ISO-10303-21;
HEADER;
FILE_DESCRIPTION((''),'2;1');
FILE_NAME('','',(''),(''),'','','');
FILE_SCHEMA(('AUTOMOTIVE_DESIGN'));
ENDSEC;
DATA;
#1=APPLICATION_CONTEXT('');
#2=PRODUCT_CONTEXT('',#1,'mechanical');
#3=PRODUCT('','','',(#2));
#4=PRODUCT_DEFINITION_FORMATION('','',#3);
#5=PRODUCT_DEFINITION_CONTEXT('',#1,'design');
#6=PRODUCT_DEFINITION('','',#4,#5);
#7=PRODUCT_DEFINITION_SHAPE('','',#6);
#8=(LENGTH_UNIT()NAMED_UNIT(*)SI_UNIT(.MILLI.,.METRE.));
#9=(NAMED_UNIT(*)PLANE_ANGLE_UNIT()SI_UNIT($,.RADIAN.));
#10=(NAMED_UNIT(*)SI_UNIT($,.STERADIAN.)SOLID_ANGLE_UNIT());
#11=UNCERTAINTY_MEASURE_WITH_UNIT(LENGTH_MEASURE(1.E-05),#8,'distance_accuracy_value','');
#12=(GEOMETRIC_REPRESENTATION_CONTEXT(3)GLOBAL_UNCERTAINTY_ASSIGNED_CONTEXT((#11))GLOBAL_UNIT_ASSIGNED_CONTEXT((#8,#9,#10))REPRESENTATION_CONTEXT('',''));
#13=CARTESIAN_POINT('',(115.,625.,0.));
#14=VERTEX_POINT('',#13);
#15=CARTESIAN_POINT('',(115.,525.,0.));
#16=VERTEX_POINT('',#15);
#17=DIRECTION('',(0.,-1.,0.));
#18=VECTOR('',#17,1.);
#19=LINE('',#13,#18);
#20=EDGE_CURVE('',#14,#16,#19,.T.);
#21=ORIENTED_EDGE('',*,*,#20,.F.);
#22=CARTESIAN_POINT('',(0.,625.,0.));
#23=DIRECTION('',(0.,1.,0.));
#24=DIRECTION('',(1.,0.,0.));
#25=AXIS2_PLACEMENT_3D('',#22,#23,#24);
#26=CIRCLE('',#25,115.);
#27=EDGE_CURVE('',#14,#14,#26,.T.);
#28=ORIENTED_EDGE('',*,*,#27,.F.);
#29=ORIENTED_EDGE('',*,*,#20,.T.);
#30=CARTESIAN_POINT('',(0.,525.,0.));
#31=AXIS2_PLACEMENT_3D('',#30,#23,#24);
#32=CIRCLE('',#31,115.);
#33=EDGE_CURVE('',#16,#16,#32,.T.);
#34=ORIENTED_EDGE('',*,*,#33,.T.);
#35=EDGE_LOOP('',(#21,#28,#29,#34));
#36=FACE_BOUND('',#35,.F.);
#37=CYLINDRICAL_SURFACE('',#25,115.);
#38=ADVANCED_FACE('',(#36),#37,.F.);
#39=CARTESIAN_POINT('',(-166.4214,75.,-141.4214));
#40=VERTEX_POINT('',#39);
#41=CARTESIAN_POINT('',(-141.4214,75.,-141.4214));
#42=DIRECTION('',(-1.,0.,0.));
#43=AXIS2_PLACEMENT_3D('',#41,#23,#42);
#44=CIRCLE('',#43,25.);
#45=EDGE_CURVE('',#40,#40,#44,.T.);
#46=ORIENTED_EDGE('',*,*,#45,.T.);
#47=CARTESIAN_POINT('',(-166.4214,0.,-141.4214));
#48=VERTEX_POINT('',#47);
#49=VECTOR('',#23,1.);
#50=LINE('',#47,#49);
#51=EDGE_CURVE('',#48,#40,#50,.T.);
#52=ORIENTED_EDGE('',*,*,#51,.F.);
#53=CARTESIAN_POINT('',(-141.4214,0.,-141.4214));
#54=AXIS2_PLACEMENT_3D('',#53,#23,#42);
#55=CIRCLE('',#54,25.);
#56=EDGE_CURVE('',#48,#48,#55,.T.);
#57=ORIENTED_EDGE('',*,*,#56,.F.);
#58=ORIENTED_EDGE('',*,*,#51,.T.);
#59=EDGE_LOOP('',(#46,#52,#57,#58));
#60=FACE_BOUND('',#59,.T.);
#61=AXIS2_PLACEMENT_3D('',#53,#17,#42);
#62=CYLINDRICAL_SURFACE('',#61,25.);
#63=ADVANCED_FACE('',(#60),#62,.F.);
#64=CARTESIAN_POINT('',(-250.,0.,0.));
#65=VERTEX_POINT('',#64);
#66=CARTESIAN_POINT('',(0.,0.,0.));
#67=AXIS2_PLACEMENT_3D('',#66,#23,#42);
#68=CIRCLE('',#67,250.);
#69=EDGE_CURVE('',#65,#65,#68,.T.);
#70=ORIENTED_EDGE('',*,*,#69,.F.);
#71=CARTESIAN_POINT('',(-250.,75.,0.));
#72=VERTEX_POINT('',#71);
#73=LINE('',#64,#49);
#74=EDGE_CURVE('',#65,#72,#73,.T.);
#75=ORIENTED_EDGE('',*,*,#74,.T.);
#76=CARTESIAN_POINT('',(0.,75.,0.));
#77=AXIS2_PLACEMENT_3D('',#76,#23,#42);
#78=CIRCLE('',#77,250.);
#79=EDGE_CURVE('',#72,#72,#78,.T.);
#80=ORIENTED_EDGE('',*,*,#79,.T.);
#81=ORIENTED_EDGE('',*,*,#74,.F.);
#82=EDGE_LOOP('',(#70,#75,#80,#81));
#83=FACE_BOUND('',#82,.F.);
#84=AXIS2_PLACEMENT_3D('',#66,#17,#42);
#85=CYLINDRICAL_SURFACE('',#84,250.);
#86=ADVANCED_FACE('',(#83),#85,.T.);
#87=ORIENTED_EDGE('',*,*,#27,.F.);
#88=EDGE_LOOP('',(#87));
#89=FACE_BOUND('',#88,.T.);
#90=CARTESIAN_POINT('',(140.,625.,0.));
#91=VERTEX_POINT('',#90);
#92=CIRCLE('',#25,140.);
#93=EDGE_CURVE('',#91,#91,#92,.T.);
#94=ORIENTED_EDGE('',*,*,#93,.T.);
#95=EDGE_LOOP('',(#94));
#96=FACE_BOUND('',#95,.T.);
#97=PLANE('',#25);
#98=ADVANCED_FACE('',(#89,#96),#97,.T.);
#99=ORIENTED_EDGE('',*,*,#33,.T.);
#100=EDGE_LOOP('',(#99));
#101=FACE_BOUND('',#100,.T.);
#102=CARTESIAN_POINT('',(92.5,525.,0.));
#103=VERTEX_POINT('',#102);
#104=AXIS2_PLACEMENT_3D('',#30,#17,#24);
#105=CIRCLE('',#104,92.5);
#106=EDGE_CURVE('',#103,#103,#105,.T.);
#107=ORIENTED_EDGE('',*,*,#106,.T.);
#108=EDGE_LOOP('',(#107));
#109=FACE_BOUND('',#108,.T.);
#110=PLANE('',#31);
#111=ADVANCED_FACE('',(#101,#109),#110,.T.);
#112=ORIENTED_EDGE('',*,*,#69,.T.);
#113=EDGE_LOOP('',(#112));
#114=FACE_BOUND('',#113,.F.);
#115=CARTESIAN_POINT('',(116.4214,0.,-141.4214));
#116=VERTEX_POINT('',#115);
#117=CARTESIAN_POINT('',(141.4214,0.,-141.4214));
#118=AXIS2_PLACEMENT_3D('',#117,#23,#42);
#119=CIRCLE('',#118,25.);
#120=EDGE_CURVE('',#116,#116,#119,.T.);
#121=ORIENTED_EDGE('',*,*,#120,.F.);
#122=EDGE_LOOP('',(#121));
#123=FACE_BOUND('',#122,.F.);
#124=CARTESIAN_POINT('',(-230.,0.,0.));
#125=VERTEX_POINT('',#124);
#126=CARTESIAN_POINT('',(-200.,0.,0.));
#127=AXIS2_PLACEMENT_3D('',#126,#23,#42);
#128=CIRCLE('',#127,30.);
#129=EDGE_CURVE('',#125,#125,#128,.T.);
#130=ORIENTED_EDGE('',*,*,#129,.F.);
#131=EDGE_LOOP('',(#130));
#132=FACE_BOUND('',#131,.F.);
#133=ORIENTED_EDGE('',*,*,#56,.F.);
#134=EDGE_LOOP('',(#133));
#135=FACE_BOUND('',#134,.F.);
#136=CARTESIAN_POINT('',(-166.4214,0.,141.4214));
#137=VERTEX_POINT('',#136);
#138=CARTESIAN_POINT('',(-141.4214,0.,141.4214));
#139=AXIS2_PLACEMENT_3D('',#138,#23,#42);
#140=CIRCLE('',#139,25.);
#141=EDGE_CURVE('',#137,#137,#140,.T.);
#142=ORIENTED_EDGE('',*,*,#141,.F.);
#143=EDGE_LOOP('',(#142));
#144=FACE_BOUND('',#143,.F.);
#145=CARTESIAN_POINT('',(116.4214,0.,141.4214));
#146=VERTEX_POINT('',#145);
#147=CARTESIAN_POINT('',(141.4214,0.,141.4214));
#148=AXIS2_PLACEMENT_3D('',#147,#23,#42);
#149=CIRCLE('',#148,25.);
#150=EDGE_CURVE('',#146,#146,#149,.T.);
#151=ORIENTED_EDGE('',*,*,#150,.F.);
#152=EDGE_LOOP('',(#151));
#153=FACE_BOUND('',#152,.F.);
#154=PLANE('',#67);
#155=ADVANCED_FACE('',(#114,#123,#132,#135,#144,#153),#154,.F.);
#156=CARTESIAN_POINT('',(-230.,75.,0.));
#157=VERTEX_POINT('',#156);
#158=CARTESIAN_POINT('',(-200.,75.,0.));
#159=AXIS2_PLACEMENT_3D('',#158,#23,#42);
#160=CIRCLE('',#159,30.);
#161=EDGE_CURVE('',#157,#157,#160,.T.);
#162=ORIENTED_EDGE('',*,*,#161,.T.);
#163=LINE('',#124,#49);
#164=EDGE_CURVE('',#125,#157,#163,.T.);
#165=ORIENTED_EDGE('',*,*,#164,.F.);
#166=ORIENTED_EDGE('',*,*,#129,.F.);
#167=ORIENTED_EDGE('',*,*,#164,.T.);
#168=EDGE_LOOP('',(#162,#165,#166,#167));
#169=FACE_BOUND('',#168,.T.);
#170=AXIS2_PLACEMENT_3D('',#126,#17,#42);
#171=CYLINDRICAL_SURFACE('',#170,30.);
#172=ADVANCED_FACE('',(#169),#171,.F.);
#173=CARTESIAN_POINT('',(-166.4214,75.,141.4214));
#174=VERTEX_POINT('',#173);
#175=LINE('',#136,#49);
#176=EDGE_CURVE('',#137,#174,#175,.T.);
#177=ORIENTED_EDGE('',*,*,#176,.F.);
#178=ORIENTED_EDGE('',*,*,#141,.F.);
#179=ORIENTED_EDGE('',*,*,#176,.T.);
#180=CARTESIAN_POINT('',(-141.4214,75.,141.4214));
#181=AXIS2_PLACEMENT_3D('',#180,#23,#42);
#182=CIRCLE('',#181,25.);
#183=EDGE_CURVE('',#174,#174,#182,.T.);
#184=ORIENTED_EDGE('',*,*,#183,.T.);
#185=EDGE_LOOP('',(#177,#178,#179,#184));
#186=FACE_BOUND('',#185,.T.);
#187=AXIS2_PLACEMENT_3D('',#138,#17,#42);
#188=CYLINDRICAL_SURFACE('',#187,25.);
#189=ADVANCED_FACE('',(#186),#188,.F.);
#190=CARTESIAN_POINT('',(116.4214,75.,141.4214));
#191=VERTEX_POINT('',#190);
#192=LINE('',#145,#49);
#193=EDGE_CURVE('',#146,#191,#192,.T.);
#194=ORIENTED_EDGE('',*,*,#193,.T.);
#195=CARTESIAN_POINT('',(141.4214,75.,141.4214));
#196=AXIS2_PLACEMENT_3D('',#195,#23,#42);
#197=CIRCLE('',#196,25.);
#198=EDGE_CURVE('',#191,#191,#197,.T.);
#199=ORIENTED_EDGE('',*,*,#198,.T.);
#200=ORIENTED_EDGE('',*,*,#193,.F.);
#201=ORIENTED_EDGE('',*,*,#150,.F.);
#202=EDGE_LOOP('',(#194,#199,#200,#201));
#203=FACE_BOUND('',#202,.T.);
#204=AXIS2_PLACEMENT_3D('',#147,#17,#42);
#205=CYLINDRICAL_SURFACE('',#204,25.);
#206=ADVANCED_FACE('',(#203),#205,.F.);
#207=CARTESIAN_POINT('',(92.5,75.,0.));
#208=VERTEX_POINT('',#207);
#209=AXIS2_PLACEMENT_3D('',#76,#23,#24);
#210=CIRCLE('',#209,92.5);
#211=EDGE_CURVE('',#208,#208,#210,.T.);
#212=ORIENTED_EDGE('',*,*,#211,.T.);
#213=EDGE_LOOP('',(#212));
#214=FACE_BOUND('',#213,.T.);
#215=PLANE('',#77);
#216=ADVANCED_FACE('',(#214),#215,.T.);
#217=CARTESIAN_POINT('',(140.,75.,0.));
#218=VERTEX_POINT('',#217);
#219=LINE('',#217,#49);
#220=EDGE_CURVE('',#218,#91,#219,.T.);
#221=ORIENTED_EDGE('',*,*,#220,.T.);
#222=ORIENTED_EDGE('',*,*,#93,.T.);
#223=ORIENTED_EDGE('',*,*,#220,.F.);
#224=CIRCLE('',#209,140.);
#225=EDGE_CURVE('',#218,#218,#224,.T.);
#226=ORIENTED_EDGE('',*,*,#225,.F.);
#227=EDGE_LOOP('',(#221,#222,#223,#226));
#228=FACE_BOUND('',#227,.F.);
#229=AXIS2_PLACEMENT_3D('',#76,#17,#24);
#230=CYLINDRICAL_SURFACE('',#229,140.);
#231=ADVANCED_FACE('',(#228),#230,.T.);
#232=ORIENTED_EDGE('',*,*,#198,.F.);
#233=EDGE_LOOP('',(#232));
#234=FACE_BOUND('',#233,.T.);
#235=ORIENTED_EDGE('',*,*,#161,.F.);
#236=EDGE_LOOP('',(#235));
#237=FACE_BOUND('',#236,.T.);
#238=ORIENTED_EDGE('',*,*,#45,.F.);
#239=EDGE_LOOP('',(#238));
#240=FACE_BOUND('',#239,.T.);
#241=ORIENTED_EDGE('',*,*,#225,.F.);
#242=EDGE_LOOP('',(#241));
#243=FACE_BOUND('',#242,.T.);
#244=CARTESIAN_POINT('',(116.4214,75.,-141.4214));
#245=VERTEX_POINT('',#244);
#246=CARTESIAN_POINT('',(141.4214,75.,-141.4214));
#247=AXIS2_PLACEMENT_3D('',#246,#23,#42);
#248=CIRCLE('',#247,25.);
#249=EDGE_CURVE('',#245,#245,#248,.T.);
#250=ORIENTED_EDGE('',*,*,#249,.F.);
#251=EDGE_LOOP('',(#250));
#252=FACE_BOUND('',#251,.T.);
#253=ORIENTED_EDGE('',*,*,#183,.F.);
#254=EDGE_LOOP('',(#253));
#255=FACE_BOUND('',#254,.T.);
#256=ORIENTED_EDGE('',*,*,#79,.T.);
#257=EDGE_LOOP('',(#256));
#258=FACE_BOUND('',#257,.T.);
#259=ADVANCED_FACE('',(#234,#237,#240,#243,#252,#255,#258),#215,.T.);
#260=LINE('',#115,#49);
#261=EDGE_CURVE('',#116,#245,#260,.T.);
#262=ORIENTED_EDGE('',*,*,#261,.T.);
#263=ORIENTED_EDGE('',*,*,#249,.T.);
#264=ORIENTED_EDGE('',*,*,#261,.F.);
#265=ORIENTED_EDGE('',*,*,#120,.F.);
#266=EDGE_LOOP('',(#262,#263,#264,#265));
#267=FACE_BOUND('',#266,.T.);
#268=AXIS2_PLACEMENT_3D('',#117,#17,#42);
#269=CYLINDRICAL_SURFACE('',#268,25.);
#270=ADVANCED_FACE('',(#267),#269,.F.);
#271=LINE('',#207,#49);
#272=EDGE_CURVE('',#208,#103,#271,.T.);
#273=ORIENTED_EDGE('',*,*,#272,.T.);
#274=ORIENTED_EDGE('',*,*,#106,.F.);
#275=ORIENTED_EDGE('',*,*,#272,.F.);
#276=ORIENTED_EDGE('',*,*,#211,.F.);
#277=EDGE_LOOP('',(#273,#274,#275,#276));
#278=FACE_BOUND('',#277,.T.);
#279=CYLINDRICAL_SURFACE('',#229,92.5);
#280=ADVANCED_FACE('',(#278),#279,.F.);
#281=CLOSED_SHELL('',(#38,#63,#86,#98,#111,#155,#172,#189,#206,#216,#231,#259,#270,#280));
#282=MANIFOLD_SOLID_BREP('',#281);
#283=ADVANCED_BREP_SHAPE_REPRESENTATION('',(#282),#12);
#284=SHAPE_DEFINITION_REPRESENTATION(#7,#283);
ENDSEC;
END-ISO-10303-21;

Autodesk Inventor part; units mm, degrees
ref_plane "YZ Plane" through (0, 0, 0) normal (1, 0, 0) x (0, 1, 0)
ref_plane "XZ Plane" through (0, 0, 0) normal (0, 1, 0) x (-1, 0, 0)
ref_plane "XY Plane" through (0, 0, 0) normal (0, 0, 1) x (1, 0, 0)
sketch "Sketch1" plane through (0, 0, 0) normal (0, 1, 0) x (-1, 0, 0)
  circle A0 centre (0, 0) radius 250
  circle A1 centre (0, 0) radius 200 construction
  line L0 (0, 0) -> (0, -250) construction
  line L1 (0, 0) -> (176.7767, 176.7767) construction
  line L2 (0, 0) -> (250, 0) construction
  line L3 (176.7767, 176.7767) -> (-176.7767, -176.7767) construction
  line L4 (176.7767, -176.7767) -> (-176.7767, 176.7767) construction
  circle A2 centre (141.4214, 141.4214) radius 25
  circle A3 centre (-141.4214, 141.4214) radius 25
  circle A4 centre (-141.4214, -141.4214) radius 25
  circle A5 centre (141.4214, -141.4214) radius 25
  circle A6 centre (200, 0) radius 30
  dimension "d0" = 500
  dimension "d1" = 400
  dimension "d2" = 45
  dimension "d3" = 50
  dimension "d4" = 50
  dimension "d5" = 50
  dimension "d6" = 50
  dimension "d7" = 60
extrude "Extrusion1" add sketch "Sketch1" along normal blind 75
sketch "Sketch2" plane through (0, 75, 0) normal (0, 1, 0) x (1, 0, 0)
  circle A0 centre (0, 0) radius 140
  circle A1 centre (0, 0) radius 92.5
  dimension "d10" = 280
  dimension "d11" = 185
extrude "Extrusion2" add sketch "Sketch2" along normal blind 550
sketch "Sketch4" plane through (0, 625, 0) normal (0, 1, 0) x (1, 0, 0)
  circle A0 centre (0, 0) radius 115
  dimension "d22" = 230
extrude "Extrusion4" cut sketch "Sketch4" against normal blind 100
properties part number "base marcador"
